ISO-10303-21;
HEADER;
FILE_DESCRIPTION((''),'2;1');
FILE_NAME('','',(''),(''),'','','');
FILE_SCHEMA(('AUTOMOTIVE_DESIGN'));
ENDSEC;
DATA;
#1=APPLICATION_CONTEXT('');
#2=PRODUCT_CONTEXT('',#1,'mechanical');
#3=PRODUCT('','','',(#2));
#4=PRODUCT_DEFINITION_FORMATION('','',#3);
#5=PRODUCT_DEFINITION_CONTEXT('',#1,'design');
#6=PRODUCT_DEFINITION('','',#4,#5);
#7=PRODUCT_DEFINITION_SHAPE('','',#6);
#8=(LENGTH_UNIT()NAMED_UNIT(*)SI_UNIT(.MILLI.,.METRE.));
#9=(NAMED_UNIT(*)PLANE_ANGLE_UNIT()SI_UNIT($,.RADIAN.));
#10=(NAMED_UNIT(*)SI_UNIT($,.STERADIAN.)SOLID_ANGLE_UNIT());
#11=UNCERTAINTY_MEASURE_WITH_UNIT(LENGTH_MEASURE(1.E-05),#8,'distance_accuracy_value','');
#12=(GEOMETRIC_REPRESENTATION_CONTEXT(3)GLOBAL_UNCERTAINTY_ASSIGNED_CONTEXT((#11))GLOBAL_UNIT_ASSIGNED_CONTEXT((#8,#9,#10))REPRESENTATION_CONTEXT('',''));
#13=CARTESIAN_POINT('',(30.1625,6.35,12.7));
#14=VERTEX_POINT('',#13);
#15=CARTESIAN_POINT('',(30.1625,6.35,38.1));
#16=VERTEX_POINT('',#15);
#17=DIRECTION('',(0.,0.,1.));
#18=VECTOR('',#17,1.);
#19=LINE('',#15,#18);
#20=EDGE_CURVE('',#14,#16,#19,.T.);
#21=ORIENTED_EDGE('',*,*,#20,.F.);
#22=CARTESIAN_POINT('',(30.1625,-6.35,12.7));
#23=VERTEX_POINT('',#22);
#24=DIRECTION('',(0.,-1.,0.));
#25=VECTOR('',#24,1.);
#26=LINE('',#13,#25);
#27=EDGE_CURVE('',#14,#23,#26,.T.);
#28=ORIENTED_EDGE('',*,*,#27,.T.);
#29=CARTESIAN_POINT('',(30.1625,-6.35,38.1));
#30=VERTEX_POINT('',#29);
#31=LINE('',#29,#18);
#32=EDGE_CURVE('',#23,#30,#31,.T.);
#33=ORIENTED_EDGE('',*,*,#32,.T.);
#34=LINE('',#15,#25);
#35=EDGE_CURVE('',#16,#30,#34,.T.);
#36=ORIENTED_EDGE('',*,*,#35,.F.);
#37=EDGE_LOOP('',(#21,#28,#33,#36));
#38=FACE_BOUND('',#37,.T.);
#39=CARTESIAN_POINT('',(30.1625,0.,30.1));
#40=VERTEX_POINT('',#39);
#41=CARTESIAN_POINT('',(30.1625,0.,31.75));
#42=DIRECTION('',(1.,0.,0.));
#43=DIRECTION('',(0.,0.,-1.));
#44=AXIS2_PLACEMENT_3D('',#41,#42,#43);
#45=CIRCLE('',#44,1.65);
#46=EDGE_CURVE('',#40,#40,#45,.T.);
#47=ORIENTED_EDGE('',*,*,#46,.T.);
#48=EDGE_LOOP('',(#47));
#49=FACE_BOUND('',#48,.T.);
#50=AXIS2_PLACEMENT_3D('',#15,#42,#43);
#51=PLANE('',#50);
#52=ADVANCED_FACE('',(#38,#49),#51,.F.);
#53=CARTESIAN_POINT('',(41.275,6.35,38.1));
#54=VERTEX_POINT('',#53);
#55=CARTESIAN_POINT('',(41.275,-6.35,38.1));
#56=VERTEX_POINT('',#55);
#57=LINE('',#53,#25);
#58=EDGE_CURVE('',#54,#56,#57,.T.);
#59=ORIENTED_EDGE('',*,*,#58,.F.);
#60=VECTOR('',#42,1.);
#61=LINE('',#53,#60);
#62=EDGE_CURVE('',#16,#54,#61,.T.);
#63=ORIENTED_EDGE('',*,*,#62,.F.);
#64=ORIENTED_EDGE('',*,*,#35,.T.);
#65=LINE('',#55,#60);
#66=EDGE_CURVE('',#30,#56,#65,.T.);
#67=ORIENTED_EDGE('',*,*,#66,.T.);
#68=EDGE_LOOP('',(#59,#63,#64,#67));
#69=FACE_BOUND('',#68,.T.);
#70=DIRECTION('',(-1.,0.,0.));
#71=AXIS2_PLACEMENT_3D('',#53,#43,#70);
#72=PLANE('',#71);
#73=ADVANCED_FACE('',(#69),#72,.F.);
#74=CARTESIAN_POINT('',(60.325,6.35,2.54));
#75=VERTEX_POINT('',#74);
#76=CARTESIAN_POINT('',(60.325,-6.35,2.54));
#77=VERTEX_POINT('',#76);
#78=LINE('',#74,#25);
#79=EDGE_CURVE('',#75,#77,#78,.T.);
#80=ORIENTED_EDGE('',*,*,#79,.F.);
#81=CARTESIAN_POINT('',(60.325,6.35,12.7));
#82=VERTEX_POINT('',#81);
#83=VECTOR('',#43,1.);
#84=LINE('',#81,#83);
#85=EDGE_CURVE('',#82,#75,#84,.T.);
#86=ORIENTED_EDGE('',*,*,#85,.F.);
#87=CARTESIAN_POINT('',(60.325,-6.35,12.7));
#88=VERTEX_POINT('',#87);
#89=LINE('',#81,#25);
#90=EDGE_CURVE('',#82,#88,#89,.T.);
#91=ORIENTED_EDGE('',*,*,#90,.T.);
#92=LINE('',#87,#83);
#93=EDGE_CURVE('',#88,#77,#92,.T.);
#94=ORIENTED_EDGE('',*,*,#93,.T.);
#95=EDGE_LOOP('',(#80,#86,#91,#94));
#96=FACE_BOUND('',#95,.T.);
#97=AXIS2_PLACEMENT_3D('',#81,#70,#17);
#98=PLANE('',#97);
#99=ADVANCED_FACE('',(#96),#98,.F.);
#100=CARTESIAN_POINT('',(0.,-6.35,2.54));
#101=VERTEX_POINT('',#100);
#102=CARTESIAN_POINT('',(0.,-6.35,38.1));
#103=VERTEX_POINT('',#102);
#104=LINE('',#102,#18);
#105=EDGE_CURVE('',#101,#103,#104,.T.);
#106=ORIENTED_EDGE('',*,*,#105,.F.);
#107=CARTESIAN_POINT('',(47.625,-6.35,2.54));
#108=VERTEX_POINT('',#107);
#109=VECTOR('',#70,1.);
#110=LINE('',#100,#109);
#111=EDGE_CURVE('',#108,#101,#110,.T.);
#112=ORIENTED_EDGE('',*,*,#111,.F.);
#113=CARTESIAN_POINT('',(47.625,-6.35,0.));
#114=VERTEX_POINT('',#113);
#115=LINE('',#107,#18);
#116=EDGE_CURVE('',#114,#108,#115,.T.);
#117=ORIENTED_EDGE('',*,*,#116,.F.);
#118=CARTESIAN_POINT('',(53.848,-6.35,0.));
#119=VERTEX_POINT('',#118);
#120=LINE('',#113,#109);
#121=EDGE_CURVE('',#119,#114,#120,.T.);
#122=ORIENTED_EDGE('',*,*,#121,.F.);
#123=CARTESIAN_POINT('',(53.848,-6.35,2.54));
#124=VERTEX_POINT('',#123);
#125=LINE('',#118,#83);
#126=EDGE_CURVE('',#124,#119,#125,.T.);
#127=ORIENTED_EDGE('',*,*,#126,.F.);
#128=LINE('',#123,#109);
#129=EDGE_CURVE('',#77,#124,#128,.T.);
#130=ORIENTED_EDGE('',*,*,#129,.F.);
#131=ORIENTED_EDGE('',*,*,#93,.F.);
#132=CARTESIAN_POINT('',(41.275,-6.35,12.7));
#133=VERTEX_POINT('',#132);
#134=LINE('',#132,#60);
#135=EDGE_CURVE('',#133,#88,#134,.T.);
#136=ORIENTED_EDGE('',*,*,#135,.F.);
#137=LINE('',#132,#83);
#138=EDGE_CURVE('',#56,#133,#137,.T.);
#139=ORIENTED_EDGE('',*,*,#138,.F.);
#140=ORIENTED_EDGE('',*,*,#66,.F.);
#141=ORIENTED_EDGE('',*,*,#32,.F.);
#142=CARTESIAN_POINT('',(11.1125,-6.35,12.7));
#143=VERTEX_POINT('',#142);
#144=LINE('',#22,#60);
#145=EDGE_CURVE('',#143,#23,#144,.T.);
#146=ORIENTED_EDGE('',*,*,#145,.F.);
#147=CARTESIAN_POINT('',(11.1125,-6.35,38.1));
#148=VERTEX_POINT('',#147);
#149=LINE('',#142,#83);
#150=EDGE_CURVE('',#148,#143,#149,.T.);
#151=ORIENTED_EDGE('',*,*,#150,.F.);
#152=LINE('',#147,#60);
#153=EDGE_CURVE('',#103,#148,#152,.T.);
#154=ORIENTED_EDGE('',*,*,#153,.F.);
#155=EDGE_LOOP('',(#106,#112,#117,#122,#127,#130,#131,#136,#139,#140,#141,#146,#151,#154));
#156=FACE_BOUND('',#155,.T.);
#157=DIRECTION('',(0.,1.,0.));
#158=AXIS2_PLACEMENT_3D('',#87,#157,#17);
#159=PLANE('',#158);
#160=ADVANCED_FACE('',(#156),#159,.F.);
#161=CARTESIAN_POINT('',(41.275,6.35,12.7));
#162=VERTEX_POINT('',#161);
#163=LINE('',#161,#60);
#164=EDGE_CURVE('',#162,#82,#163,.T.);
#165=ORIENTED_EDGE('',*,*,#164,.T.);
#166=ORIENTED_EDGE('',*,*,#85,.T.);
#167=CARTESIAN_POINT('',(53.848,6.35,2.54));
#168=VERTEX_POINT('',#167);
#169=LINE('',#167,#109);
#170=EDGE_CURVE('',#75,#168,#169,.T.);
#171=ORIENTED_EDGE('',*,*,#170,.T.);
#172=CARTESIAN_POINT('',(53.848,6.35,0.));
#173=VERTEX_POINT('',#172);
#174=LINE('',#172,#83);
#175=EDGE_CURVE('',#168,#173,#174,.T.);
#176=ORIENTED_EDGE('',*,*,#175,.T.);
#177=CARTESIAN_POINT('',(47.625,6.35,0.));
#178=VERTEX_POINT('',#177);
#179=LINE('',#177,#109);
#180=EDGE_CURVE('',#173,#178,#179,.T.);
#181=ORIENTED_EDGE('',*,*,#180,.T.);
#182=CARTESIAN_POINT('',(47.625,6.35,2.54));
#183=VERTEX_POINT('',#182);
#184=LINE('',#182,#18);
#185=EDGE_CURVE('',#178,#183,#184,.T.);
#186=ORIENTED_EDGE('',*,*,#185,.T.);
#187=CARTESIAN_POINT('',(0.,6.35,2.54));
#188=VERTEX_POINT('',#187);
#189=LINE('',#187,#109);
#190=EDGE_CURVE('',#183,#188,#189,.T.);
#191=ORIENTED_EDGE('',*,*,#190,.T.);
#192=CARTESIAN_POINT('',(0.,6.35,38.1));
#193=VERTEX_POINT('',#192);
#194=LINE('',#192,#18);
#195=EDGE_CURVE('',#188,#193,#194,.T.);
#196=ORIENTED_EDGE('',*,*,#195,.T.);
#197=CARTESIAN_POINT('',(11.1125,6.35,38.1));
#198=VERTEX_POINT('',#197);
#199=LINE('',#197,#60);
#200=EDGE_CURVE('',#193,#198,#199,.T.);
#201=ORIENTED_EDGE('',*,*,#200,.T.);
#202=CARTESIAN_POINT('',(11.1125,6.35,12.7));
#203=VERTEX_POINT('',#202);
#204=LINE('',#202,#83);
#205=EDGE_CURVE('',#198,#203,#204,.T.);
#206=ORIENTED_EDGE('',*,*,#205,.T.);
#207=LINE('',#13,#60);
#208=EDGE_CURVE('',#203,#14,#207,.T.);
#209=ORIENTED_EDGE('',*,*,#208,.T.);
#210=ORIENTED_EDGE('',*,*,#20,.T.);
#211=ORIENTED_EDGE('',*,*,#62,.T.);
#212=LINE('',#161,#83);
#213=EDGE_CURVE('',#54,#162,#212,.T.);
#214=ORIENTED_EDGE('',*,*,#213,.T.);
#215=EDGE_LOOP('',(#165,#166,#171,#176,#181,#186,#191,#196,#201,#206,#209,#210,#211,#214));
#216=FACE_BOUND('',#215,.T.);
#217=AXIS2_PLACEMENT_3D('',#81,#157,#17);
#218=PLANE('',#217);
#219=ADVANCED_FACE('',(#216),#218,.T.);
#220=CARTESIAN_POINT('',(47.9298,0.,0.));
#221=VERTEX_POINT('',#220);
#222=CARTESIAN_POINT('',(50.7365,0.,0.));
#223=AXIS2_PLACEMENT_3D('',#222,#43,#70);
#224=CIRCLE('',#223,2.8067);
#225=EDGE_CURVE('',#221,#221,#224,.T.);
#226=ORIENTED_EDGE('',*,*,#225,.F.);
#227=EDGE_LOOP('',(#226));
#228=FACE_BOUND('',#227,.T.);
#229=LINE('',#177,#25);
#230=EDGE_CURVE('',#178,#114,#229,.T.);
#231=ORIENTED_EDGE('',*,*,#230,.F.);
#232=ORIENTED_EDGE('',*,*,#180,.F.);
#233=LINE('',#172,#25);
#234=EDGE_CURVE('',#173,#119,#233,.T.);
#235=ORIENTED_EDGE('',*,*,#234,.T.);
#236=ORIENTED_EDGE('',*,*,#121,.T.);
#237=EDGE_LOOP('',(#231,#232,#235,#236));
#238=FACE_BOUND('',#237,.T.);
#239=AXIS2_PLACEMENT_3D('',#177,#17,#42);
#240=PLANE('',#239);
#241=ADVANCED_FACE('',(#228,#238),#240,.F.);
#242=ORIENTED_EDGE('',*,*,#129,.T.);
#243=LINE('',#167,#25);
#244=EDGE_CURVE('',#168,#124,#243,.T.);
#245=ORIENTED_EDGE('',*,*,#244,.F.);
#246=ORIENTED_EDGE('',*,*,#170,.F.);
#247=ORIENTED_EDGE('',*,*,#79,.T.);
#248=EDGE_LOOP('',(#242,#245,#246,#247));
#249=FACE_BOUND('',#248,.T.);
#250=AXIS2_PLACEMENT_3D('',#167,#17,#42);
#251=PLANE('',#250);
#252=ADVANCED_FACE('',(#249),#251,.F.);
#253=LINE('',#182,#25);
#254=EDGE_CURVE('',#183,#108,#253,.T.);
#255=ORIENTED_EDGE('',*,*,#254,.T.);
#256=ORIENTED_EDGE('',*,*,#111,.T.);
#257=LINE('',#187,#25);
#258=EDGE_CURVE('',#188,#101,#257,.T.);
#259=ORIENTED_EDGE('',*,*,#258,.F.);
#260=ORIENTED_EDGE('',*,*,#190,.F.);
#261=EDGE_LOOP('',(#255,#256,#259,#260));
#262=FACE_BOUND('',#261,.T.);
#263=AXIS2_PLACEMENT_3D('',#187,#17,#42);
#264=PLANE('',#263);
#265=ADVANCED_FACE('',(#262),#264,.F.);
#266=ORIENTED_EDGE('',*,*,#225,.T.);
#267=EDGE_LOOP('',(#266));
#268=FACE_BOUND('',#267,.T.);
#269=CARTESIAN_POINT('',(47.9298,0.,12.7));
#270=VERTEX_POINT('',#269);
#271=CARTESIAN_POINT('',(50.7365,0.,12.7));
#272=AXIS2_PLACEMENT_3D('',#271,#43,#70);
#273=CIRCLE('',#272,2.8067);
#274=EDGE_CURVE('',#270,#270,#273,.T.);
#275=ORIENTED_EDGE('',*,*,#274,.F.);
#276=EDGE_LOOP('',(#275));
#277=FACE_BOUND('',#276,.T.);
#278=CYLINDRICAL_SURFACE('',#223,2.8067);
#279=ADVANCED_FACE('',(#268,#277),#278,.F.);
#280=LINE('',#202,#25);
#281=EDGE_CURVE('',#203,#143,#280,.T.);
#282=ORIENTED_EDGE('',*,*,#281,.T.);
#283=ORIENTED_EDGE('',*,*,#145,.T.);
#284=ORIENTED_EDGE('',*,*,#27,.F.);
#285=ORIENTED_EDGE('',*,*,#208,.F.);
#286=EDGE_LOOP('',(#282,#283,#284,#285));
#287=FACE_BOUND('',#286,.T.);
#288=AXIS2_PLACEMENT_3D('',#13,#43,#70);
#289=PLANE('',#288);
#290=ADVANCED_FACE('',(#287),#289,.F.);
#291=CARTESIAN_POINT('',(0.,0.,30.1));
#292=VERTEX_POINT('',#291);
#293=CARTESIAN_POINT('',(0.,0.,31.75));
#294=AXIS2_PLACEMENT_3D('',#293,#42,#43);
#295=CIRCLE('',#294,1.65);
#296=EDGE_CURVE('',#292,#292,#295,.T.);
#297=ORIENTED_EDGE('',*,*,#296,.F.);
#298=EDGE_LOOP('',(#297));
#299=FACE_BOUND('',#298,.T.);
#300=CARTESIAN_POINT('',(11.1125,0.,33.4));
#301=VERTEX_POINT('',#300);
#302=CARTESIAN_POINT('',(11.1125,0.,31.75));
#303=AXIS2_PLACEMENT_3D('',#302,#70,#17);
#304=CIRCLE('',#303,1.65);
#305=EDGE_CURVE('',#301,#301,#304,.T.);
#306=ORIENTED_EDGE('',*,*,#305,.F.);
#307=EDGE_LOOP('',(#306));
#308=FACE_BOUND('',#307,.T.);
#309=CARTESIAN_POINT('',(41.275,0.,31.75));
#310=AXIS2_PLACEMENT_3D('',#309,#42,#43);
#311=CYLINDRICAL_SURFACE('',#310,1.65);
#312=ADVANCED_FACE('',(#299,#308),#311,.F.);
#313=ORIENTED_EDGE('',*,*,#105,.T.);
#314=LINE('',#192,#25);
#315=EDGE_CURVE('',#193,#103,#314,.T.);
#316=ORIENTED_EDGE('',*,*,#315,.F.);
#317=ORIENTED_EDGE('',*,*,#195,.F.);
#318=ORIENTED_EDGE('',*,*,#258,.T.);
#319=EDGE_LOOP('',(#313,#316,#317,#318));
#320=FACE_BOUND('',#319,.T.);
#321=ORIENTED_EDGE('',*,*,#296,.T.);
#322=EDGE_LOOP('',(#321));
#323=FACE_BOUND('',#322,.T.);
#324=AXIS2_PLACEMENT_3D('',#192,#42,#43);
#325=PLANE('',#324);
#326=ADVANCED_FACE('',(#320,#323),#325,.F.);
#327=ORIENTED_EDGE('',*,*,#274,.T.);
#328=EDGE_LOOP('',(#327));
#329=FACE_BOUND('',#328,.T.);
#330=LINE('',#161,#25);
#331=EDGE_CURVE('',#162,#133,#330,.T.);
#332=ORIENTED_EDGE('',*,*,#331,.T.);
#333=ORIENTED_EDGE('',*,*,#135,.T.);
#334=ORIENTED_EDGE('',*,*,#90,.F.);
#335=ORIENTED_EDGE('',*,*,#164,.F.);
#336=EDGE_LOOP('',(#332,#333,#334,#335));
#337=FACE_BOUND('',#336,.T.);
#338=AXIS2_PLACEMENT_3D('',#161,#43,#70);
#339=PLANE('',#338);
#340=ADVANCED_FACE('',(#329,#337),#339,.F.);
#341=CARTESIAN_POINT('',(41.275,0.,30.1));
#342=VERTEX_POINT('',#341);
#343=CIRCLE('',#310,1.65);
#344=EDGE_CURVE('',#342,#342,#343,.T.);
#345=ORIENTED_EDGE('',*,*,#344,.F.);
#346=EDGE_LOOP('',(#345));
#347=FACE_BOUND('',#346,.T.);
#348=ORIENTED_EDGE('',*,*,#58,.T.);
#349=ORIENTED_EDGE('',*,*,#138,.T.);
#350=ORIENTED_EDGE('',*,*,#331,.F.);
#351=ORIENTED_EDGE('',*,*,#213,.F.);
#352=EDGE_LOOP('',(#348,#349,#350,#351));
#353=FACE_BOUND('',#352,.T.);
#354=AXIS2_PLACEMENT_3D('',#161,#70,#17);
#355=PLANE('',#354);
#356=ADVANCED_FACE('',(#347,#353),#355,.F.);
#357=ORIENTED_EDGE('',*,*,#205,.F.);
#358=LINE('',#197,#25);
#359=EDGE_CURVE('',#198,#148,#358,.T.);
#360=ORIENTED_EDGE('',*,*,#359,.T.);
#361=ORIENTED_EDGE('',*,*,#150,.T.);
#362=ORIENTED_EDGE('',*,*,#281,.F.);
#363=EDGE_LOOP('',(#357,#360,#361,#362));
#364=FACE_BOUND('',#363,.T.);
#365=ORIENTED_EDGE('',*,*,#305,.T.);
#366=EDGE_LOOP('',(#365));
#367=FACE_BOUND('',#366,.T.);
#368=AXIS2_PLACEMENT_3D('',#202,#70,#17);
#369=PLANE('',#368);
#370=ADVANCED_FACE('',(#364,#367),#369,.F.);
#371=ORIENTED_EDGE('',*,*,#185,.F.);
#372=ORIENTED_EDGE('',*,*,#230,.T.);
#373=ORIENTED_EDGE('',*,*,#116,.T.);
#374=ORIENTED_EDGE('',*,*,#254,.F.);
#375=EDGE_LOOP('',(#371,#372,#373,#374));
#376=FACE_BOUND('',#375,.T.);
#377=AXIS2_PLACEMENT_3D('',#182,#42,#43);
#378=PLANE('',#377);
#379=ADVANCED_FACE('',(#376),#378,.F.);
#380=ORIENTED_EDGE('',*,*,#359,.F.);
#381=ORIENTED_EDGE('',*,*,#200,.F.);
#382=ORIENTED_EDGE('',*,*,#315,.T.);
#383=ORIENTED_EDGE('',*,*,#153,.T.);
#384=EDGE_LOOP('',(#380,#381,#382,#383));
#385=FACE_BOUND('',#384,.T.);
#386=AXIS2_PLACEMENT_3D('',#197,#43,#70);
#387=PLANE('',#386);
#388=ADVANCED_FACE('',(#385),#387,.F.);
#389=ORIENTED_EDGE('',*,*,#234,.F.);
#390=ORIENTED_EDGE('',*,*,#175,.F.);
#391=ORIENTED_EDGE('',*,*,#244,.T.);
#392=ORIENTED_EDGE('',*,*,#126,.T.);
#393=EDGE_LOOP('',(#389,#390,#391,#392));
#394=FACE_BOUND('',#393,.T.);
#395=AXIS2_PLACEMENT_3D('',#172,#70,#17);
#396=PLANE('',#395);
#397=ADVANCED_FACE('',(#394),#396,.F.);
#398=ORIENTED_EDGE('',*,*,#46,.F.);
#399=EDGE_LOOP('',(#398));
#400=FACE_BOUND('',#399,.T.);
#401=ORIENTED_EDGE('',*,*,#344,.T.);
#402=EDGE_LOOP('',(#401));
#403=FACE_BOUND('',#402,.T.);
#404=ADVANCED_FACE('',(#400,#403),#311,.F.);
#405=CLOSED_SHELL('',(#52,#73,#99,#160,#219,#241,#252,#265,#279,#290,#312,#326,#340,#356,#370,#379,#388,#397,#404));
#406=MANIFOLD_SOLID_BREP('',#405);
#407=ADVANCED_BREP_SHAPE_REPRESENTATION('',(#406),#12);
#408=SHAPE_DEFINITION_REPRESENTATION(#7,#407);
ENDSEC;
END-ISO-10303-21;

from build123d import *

# Parameters (mm, degrees)
EXTRUDE1_DEPTH         = 6.35
M4X0_7_TAPPED_HOLE1_D  = 3.3
F_10_CLEARANCE_HOLE1_D = 5.6134


with BuildPart() as part:
    # Sketch1 → Extrude1 (new, symmetric)
    with BuildSketch(Plane(origin=(0, 0, 0), x_dir=(1, 0, 0), z_dir=(0, 1, 0))):
        Polygon((47.625, 0), (53.848, 0), (53.848, -2.54), (60.325, -2.54), (60.325, -12.7), (41.275, -12.7), (41.275, -38.1), (30.1625, -38.1), (30.1625, -12.7), (11.1125, -12.7), (11.1125, -38.1), (0, -38.1), (0, -2.54), (47.625, -2.54), align=None)
    extrude(amount=EXTRUDE1_DEPTH, both=True)

    # M4x0.7 Tapped Hole1 (through all)
    with Locations(Plane(origin=(41.275, 0, 0), x_dir=(0, 0, -1), z_dir=(1, 0, 0))):
        with Locations((-31.75, 0)):
            Hole(M4X0_7_TAPPED_HOLE1_D / 2)

    # #10 Clearance Hole1 (through all)
    with Locations(Plane(origin=(0, 0, 0), x_dir=(-1, 0, 0), z_dir=(0, 0, -1))):
        with Locations((-50.7365, 0)):
            Hole(F_10_CLEARANCE_HOLE1_D / 2)


solid = part.part
